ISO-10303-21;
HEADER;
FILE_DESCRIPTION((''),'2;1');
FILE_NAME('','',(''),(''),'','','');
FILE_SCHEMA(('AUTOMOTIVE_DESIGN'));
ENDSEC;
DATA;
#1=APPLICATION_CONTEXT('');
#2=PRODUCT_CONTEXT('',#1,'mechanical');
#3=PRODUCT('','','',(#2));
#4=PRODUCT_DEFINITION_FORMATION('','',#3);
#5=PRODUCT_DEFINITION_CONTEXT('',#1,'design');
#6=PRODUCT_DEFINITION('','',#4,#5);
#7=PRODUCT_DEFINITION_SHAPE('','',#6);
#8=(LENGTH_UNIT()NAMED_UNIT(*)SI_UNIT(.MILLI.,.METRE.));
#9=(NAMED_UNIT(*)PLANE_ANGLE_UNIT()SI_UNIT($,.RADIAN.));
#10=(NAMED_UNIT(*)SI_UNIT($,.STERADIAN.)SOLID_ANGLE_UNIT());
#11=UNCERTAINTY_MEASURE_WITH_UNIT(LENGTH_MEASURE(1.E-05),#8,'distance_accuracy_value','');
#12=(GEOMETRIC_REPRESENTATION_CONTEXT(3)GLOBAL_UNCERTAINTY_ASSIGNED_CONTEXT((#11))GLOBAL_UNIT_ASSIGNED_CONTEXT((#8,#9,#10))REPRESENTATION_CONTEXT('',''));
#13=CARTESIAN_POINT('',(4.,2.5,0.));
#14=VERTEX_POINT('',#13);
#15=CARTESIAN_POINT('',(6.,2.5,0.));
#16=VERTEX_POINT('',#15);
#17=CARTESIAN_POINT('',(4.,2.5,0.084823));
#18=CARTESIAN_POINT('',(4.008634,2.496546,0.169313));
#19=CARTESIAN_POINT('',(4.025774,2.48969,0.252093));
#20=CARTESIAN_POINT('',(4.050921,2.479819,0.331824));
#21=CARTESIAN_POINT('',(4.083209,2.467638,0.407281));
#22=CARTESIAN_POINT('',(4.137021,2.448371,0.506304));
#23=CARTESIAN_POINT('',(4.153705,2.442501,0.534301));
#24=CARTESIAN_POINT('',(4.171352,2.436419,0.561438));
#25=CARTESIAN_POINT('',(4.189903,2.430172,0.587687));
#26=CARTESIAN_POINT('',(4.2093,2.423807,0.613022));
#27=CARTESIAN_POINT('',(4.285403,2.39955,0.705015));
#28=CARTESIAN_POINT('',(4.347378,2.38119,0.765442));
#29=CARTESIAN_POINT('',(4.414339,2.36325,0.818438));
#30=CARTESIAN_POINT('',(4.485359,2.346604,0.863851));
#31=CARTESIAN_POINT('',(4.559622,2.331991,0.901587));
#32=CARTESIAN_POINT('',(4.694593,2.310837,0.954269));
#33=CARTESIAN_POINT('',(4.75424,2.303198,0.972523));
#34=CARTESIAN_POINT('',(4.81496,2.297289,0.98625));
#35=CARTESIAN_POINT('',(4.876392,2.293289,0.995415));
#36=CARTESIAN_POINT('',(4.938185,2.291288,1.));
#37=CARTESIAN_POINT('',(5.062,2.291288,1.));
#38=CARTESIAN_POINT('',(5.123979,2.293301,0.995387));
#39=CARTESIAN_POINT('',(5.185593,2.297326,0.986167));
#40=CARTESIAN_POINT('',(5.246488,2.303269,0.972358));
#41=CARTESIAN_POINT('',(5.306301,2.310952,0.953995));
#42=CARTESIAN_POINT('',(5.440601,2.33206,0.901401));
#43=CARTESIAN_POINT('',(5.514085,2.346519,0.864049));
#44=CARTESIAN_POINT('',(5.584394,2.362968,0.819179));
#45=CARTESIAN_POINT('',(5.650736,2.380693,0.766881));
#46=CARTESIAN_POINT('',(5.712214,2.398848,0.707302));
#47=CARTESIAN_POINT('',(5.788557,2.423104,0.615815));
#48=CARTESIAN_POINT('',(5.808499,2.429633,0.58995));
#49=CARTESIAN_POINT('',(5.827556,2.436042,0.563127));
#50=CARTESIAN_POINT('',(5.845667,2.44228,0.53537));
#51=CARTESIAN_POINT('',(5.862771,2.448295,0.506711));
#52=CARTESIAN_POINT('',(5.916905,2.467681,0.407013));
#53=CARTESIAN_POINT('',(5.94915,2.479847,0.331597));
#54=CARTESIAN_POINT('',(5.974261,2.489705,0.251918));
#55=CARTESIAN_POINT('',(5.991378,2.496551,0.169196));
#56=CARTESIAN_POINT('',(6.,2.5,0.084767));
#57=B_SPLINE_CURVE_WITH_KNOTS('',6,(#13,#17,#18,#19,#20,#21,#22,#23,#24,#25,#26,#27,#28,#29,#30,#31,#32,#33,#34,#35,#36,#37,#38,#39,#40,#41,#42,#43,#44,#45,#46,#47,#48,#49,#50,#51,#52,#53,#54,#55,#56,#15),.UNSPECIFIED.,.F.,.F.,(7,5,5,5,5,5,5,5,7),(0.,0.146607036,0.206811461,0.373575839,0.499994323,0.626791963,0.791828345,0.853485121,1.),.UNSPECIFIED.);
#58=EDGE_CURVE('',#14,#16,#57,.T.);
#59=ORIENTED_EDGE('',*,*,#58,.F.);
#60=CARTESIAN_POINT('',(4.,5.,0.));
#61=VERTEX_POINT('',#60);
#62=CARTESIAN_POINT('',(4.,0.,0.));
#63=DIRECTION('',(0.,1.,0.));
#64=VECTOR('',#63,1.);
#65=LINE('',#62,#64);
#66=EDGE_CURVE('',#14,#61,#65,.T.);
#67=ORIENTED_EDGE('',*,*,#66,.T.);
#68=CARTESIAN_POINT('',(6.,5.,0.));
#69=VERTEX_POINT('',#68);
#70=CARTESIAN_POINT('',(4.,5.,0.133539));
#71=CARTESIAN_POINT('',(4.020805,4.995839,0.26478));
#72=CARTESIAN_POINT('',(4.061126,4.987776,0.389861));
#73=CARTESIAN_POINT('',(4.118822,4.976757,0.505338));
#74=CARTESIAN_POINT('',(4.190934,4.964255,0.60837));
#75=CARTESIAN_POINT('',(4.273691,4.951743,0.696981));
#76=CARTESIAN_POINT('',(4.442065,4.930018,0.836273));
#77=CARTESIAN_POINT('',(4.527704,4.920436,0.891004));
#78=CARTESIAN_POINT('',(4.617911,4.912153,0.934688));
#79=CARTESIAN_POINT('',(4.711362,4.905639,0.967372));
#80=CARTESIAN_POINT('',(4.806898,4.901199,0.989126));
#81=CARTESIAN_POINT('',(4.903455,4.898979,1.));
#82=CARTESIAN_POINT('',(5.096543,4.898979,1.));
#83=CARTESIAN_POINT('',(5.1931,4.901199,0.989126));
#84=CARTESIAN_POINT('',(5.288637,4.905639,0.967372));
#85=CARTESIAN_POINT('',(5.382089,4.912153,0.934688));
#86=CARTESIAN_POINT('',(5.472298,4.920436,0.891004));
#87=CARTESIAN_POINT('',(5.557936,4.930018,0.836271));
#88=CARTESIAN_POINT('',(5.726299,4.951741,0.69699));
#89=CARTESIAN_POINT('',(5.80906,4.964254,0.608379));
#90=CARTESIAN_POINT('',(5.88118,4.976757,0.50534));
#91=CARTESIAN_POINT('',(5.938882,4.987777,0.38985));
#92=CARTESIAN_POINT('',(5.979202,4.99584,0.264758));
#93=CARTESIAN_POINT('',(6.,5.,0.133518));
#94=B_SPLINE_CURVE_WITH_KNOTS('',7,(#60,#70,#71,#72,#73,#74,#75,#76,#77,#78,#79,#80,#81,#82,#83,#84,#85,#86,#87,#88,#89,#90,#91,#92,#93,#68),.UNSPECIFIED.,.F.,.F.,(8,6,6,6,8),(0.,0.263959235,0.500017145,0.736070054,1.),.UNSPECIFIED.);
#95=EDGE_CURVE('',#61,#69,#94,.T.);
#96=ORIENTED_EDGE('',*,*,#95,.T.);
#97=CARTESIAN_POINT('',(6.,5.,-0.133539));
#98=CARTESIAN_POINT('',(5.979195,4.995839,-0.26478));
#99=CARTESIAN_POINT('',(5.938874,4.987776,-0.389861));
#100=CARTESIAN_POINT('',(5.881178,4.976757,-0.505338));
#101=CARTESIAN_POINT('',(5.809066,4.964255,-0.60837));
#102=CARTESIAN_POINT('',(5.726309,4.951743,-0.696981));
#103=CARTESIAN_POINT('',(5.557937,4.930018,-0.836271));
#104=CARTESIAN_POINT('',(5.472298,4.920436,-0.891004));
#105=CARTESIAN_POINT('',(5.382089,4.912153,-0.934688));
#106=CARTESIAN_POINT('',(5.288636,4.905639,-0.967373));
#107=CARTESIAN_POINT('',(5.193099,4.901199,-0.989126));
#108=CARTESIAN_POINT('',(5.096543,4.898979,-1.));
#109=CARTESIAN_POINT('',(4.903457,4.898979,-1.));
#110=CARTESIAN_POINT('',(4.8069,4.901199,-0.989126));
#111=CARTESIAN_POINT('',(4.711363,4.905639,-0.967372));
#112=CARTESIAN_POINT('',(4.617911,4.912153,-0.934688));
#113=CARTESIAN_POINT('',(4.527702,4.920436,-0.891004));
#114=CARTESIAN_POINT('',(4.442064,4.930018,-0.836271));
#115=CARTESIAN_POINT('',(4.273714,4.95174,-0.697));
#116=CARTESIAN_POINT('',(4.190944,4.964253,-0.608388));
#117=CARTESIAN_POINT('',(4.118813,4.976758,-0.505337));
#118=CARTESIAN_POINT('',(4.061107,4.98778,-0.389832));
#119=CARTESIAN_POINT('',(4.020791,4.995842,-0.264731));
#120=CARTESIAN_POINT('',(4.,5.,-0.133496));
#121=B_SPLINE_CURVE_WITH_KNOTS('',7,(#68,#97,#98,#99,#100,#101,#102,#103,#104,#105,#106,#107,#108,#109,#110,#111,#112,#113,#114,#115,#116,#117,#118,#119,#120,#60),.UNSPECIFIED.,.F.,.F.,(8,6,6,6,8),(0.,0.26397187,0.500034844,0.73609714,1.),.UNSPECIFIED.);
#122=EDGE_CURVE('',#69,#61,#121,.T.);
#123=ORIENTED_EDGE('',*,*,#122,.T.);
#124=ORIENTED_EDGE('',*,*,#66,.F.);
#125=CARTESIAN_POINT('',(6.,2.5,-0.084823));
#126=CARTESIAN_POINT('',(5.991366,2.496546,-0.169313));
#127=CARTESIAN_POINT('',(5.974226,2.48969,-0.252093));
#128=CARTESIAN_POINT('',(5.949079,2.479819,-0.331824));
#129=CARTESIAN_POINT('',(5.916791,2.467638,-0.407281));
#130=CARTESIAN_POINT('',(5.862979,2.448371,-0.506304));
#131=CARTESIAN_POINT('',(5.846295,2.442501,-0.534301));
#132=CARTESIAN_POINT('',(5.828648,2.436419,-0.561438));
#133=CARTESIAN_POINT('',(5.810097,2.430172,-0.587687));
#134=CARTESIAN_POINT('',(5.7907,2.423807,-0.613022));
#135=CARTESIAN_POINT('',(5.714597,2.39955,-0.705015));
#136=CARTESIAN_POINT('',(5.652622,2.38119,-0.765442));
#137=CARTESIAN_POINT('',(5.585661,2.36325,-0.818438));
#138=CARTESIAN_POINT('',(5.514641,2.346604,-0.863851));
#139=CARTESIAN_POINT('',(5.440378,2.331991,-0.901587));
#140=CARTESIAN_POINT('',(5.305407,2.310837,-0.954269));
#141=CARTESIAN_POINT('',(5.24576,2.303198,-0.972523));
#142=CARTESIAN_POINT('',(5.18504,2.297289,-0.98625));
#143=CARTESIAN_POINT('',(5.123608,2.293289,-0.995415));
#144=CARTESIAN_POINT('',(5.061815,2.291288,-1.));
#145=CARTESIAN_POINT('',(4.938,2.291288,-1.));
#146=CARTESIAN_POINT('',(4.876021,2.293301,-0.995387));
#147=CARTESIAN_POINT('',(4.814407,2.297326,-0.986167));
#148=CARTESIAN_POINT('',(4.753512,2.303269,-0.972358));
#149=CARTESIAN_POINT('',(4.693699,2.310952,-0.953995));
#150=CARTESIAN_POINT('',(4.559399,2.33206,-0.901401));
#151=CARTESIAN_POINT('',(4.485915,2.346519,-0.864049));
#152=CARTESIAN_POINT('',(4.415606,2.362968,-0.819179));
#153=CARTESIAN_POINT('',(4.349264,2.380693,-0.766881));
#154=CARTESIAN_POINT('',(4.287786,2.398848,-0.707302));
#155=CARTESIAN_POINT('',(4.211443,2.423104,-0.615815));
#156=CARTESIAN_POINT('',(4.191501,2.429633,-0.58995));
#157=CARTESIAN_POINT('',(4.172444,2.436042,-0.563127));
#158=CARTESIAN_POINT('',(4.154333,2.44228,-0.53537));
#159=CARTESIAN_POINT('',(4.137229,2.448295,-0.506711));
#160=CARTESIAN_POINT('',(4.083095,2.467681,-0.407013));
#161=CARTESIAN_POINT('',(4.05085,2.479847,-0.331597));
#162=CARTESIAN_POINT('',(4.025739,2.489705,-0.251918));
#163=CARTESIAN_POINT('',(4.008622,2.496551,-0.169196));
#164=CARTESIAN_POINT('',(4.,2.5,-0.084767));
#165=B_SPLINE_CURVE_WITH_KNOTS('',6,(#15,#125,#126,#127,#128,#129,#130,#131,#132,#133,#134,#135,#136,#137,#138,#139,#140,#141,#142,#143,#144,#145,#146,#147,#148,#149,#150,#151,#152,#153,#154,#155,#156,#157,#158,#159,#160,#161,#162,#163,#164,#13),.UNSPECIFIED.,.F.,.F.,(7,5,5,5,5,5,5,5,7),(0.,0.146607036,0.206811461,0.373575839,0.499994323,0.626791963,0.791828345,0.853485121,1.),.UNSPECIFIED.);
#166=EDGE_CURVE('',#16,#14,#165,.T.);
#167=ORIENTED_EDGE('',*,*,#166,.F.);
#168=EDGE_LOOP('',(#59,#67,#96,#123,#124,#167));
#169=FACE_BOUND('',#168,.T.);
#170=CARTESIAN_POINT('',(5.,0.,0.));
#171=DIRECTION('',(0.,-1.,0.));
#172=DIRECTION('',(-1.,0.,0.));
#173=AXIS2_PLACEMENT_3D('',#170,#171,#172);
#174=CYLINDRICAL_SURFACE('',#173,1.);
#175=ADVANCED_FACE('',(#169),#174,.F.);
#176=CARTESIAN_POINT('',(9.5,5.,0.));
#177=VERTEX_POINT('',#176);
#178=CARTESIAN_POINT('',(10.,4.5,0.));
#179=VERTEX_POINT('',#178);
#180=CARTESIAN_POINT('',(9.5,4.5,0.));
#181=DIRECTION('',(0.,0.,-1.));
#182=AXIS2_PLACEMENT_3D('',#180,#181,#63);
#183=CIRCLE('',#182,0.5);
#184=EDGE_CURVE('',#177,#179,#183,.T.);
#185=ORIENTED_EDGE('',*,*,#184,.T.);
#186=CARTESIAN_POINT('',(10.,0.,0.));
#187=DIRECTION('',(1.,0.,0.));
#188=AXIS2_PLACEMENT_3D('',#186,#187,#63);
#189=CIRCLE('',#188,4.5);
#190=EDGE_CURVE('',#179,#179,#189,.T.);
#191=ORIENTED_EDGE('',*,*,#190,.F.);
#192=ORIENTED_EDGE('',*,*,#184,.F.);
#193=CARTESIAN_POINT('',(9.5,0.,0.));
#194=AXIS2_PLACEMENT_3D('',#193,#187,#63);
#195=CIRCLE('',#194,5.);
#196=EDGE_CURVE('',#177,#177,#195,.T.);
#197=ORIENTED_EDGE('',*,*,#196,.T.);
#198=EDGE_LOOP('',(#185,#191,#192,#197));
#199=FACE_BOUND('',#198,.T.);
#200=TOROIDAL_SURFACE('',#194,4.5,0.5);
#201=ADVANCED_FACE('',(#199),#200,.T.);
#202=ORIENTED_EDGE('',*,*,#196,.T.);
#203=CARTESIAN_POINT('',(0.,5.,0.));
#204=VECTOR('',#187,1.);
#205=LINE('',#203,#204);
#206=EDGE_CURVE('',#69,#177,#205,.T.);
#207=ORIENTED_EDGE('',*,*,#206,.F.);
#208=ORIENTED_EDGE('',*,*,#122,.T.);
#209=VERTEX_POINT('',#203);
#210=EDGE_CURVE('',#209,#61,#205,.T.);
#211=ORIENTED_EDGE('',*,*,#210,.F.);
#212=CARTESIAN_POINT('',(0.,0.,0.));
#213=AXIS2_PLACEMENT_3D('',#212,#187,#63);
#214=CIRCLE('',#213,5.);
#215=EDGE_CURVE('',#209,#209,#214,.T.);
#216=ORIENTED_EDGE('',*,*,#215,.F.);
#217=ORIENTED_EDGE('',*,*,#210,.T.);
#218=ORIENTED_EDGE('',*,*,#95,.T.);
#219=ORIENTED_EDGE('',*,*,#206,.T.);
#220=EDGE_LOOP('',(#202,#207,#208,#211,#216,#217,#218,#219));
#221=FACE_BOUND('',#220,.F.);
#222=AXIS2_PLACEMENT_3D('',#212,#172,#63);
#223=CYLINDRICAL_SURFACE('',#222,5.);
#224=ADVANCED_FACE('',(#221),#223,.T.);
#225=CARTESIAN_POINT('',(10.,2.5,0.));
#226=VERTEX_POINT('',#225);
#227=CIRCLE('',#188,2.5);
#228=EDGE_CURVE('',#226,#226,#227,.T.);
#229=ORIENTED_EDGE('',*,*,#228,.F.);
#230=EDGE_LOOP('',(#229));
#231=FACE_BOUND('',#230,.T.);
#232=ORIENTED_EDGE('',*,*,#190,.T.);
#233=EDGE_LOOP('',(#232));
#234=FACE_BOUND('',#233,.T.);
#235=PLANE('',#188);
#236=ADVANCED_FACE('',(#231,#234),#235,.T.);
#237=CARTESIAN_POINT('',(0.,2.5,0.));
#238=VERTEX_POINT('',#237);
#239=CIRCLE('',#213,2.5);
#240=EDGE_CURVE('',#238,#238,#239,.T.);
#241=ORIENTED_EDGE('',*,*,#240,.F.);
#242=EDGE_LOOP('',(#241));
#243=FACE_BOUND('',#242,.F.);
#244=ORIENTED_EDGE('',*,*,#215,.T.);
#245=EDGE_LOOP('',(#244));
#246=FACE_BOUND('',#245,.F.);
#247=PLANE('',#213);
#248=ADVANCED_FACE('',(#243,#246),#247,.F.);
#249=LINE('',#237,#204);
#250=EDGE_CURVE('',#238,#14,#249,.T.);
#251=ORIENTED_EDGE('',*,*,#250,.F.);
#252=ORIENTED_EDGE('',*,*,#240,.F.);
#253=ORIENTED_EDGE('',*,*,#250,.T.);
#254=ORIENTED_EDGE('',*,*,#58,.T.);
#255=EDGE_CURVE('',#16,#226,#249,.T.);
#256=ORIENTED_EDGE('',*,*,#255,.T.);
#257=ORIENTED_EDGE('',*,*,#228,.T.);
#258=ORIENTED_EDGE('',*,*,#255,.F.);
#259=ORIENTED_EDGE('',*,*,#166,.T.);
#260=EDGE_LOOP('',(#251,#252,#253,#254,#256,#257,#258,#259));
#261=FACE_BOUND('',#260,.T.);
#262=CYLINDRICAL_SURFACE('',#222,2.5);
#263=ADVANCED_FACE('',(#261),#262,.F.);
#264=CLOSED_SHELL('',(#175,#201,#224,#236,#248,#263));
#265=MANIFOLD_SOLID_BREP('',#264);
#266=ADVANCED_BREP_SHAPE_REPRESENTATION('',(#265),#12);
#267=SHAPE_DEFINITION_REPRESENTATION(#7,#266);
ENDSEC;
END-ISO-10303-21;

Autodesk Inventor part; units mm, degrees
ref_plane "YZ Plane" through (0, 0, 0) normal (1, 0, 0) x (0, 1, 0)
ref_plane "XZ Plane" through (0, 0, 0) normal (0, 1, 0) x (-1, 0, 0)
ref_plane "XY Plane" through (0, 0, 0) normal (0, 0, 1) x (1, 0, 0)
sketch "Sketch1" plane through (0, 0, 0) normal (1, 0, 0) x (0, 1, 0)
  circle A0 centre (0, 0) radius 2.5
  circle A1 centre (0, 0) radius 5
  dimension "d0" = 5
  dimension "d1" = 10
extrude "Extrusion1" add sketch "Sketch1" along normal blind 10
sketch "Sketch2" plane through (0, 0, 0) normal (0, 1, 0) x (-1, 0, 0)
  line L0 (0, 0) -> (-5, 0)
  circle A0 centre (-5, 0) radius 1
  dimension "d4" = 5
  dimension "d5" = 2
extrude "Extrusion2" cut sketch "Sketch2" along normal blind 10
thread "Thread1" size "M2x0.4" class "6H" standard "ANSI Metric M Profile" full length
fillet "Fillet1" radius 0.5 1 edges at (10, -5, 0)
properties part number "wormgear_worm_axes_holder" material "Aluminum 6061"
